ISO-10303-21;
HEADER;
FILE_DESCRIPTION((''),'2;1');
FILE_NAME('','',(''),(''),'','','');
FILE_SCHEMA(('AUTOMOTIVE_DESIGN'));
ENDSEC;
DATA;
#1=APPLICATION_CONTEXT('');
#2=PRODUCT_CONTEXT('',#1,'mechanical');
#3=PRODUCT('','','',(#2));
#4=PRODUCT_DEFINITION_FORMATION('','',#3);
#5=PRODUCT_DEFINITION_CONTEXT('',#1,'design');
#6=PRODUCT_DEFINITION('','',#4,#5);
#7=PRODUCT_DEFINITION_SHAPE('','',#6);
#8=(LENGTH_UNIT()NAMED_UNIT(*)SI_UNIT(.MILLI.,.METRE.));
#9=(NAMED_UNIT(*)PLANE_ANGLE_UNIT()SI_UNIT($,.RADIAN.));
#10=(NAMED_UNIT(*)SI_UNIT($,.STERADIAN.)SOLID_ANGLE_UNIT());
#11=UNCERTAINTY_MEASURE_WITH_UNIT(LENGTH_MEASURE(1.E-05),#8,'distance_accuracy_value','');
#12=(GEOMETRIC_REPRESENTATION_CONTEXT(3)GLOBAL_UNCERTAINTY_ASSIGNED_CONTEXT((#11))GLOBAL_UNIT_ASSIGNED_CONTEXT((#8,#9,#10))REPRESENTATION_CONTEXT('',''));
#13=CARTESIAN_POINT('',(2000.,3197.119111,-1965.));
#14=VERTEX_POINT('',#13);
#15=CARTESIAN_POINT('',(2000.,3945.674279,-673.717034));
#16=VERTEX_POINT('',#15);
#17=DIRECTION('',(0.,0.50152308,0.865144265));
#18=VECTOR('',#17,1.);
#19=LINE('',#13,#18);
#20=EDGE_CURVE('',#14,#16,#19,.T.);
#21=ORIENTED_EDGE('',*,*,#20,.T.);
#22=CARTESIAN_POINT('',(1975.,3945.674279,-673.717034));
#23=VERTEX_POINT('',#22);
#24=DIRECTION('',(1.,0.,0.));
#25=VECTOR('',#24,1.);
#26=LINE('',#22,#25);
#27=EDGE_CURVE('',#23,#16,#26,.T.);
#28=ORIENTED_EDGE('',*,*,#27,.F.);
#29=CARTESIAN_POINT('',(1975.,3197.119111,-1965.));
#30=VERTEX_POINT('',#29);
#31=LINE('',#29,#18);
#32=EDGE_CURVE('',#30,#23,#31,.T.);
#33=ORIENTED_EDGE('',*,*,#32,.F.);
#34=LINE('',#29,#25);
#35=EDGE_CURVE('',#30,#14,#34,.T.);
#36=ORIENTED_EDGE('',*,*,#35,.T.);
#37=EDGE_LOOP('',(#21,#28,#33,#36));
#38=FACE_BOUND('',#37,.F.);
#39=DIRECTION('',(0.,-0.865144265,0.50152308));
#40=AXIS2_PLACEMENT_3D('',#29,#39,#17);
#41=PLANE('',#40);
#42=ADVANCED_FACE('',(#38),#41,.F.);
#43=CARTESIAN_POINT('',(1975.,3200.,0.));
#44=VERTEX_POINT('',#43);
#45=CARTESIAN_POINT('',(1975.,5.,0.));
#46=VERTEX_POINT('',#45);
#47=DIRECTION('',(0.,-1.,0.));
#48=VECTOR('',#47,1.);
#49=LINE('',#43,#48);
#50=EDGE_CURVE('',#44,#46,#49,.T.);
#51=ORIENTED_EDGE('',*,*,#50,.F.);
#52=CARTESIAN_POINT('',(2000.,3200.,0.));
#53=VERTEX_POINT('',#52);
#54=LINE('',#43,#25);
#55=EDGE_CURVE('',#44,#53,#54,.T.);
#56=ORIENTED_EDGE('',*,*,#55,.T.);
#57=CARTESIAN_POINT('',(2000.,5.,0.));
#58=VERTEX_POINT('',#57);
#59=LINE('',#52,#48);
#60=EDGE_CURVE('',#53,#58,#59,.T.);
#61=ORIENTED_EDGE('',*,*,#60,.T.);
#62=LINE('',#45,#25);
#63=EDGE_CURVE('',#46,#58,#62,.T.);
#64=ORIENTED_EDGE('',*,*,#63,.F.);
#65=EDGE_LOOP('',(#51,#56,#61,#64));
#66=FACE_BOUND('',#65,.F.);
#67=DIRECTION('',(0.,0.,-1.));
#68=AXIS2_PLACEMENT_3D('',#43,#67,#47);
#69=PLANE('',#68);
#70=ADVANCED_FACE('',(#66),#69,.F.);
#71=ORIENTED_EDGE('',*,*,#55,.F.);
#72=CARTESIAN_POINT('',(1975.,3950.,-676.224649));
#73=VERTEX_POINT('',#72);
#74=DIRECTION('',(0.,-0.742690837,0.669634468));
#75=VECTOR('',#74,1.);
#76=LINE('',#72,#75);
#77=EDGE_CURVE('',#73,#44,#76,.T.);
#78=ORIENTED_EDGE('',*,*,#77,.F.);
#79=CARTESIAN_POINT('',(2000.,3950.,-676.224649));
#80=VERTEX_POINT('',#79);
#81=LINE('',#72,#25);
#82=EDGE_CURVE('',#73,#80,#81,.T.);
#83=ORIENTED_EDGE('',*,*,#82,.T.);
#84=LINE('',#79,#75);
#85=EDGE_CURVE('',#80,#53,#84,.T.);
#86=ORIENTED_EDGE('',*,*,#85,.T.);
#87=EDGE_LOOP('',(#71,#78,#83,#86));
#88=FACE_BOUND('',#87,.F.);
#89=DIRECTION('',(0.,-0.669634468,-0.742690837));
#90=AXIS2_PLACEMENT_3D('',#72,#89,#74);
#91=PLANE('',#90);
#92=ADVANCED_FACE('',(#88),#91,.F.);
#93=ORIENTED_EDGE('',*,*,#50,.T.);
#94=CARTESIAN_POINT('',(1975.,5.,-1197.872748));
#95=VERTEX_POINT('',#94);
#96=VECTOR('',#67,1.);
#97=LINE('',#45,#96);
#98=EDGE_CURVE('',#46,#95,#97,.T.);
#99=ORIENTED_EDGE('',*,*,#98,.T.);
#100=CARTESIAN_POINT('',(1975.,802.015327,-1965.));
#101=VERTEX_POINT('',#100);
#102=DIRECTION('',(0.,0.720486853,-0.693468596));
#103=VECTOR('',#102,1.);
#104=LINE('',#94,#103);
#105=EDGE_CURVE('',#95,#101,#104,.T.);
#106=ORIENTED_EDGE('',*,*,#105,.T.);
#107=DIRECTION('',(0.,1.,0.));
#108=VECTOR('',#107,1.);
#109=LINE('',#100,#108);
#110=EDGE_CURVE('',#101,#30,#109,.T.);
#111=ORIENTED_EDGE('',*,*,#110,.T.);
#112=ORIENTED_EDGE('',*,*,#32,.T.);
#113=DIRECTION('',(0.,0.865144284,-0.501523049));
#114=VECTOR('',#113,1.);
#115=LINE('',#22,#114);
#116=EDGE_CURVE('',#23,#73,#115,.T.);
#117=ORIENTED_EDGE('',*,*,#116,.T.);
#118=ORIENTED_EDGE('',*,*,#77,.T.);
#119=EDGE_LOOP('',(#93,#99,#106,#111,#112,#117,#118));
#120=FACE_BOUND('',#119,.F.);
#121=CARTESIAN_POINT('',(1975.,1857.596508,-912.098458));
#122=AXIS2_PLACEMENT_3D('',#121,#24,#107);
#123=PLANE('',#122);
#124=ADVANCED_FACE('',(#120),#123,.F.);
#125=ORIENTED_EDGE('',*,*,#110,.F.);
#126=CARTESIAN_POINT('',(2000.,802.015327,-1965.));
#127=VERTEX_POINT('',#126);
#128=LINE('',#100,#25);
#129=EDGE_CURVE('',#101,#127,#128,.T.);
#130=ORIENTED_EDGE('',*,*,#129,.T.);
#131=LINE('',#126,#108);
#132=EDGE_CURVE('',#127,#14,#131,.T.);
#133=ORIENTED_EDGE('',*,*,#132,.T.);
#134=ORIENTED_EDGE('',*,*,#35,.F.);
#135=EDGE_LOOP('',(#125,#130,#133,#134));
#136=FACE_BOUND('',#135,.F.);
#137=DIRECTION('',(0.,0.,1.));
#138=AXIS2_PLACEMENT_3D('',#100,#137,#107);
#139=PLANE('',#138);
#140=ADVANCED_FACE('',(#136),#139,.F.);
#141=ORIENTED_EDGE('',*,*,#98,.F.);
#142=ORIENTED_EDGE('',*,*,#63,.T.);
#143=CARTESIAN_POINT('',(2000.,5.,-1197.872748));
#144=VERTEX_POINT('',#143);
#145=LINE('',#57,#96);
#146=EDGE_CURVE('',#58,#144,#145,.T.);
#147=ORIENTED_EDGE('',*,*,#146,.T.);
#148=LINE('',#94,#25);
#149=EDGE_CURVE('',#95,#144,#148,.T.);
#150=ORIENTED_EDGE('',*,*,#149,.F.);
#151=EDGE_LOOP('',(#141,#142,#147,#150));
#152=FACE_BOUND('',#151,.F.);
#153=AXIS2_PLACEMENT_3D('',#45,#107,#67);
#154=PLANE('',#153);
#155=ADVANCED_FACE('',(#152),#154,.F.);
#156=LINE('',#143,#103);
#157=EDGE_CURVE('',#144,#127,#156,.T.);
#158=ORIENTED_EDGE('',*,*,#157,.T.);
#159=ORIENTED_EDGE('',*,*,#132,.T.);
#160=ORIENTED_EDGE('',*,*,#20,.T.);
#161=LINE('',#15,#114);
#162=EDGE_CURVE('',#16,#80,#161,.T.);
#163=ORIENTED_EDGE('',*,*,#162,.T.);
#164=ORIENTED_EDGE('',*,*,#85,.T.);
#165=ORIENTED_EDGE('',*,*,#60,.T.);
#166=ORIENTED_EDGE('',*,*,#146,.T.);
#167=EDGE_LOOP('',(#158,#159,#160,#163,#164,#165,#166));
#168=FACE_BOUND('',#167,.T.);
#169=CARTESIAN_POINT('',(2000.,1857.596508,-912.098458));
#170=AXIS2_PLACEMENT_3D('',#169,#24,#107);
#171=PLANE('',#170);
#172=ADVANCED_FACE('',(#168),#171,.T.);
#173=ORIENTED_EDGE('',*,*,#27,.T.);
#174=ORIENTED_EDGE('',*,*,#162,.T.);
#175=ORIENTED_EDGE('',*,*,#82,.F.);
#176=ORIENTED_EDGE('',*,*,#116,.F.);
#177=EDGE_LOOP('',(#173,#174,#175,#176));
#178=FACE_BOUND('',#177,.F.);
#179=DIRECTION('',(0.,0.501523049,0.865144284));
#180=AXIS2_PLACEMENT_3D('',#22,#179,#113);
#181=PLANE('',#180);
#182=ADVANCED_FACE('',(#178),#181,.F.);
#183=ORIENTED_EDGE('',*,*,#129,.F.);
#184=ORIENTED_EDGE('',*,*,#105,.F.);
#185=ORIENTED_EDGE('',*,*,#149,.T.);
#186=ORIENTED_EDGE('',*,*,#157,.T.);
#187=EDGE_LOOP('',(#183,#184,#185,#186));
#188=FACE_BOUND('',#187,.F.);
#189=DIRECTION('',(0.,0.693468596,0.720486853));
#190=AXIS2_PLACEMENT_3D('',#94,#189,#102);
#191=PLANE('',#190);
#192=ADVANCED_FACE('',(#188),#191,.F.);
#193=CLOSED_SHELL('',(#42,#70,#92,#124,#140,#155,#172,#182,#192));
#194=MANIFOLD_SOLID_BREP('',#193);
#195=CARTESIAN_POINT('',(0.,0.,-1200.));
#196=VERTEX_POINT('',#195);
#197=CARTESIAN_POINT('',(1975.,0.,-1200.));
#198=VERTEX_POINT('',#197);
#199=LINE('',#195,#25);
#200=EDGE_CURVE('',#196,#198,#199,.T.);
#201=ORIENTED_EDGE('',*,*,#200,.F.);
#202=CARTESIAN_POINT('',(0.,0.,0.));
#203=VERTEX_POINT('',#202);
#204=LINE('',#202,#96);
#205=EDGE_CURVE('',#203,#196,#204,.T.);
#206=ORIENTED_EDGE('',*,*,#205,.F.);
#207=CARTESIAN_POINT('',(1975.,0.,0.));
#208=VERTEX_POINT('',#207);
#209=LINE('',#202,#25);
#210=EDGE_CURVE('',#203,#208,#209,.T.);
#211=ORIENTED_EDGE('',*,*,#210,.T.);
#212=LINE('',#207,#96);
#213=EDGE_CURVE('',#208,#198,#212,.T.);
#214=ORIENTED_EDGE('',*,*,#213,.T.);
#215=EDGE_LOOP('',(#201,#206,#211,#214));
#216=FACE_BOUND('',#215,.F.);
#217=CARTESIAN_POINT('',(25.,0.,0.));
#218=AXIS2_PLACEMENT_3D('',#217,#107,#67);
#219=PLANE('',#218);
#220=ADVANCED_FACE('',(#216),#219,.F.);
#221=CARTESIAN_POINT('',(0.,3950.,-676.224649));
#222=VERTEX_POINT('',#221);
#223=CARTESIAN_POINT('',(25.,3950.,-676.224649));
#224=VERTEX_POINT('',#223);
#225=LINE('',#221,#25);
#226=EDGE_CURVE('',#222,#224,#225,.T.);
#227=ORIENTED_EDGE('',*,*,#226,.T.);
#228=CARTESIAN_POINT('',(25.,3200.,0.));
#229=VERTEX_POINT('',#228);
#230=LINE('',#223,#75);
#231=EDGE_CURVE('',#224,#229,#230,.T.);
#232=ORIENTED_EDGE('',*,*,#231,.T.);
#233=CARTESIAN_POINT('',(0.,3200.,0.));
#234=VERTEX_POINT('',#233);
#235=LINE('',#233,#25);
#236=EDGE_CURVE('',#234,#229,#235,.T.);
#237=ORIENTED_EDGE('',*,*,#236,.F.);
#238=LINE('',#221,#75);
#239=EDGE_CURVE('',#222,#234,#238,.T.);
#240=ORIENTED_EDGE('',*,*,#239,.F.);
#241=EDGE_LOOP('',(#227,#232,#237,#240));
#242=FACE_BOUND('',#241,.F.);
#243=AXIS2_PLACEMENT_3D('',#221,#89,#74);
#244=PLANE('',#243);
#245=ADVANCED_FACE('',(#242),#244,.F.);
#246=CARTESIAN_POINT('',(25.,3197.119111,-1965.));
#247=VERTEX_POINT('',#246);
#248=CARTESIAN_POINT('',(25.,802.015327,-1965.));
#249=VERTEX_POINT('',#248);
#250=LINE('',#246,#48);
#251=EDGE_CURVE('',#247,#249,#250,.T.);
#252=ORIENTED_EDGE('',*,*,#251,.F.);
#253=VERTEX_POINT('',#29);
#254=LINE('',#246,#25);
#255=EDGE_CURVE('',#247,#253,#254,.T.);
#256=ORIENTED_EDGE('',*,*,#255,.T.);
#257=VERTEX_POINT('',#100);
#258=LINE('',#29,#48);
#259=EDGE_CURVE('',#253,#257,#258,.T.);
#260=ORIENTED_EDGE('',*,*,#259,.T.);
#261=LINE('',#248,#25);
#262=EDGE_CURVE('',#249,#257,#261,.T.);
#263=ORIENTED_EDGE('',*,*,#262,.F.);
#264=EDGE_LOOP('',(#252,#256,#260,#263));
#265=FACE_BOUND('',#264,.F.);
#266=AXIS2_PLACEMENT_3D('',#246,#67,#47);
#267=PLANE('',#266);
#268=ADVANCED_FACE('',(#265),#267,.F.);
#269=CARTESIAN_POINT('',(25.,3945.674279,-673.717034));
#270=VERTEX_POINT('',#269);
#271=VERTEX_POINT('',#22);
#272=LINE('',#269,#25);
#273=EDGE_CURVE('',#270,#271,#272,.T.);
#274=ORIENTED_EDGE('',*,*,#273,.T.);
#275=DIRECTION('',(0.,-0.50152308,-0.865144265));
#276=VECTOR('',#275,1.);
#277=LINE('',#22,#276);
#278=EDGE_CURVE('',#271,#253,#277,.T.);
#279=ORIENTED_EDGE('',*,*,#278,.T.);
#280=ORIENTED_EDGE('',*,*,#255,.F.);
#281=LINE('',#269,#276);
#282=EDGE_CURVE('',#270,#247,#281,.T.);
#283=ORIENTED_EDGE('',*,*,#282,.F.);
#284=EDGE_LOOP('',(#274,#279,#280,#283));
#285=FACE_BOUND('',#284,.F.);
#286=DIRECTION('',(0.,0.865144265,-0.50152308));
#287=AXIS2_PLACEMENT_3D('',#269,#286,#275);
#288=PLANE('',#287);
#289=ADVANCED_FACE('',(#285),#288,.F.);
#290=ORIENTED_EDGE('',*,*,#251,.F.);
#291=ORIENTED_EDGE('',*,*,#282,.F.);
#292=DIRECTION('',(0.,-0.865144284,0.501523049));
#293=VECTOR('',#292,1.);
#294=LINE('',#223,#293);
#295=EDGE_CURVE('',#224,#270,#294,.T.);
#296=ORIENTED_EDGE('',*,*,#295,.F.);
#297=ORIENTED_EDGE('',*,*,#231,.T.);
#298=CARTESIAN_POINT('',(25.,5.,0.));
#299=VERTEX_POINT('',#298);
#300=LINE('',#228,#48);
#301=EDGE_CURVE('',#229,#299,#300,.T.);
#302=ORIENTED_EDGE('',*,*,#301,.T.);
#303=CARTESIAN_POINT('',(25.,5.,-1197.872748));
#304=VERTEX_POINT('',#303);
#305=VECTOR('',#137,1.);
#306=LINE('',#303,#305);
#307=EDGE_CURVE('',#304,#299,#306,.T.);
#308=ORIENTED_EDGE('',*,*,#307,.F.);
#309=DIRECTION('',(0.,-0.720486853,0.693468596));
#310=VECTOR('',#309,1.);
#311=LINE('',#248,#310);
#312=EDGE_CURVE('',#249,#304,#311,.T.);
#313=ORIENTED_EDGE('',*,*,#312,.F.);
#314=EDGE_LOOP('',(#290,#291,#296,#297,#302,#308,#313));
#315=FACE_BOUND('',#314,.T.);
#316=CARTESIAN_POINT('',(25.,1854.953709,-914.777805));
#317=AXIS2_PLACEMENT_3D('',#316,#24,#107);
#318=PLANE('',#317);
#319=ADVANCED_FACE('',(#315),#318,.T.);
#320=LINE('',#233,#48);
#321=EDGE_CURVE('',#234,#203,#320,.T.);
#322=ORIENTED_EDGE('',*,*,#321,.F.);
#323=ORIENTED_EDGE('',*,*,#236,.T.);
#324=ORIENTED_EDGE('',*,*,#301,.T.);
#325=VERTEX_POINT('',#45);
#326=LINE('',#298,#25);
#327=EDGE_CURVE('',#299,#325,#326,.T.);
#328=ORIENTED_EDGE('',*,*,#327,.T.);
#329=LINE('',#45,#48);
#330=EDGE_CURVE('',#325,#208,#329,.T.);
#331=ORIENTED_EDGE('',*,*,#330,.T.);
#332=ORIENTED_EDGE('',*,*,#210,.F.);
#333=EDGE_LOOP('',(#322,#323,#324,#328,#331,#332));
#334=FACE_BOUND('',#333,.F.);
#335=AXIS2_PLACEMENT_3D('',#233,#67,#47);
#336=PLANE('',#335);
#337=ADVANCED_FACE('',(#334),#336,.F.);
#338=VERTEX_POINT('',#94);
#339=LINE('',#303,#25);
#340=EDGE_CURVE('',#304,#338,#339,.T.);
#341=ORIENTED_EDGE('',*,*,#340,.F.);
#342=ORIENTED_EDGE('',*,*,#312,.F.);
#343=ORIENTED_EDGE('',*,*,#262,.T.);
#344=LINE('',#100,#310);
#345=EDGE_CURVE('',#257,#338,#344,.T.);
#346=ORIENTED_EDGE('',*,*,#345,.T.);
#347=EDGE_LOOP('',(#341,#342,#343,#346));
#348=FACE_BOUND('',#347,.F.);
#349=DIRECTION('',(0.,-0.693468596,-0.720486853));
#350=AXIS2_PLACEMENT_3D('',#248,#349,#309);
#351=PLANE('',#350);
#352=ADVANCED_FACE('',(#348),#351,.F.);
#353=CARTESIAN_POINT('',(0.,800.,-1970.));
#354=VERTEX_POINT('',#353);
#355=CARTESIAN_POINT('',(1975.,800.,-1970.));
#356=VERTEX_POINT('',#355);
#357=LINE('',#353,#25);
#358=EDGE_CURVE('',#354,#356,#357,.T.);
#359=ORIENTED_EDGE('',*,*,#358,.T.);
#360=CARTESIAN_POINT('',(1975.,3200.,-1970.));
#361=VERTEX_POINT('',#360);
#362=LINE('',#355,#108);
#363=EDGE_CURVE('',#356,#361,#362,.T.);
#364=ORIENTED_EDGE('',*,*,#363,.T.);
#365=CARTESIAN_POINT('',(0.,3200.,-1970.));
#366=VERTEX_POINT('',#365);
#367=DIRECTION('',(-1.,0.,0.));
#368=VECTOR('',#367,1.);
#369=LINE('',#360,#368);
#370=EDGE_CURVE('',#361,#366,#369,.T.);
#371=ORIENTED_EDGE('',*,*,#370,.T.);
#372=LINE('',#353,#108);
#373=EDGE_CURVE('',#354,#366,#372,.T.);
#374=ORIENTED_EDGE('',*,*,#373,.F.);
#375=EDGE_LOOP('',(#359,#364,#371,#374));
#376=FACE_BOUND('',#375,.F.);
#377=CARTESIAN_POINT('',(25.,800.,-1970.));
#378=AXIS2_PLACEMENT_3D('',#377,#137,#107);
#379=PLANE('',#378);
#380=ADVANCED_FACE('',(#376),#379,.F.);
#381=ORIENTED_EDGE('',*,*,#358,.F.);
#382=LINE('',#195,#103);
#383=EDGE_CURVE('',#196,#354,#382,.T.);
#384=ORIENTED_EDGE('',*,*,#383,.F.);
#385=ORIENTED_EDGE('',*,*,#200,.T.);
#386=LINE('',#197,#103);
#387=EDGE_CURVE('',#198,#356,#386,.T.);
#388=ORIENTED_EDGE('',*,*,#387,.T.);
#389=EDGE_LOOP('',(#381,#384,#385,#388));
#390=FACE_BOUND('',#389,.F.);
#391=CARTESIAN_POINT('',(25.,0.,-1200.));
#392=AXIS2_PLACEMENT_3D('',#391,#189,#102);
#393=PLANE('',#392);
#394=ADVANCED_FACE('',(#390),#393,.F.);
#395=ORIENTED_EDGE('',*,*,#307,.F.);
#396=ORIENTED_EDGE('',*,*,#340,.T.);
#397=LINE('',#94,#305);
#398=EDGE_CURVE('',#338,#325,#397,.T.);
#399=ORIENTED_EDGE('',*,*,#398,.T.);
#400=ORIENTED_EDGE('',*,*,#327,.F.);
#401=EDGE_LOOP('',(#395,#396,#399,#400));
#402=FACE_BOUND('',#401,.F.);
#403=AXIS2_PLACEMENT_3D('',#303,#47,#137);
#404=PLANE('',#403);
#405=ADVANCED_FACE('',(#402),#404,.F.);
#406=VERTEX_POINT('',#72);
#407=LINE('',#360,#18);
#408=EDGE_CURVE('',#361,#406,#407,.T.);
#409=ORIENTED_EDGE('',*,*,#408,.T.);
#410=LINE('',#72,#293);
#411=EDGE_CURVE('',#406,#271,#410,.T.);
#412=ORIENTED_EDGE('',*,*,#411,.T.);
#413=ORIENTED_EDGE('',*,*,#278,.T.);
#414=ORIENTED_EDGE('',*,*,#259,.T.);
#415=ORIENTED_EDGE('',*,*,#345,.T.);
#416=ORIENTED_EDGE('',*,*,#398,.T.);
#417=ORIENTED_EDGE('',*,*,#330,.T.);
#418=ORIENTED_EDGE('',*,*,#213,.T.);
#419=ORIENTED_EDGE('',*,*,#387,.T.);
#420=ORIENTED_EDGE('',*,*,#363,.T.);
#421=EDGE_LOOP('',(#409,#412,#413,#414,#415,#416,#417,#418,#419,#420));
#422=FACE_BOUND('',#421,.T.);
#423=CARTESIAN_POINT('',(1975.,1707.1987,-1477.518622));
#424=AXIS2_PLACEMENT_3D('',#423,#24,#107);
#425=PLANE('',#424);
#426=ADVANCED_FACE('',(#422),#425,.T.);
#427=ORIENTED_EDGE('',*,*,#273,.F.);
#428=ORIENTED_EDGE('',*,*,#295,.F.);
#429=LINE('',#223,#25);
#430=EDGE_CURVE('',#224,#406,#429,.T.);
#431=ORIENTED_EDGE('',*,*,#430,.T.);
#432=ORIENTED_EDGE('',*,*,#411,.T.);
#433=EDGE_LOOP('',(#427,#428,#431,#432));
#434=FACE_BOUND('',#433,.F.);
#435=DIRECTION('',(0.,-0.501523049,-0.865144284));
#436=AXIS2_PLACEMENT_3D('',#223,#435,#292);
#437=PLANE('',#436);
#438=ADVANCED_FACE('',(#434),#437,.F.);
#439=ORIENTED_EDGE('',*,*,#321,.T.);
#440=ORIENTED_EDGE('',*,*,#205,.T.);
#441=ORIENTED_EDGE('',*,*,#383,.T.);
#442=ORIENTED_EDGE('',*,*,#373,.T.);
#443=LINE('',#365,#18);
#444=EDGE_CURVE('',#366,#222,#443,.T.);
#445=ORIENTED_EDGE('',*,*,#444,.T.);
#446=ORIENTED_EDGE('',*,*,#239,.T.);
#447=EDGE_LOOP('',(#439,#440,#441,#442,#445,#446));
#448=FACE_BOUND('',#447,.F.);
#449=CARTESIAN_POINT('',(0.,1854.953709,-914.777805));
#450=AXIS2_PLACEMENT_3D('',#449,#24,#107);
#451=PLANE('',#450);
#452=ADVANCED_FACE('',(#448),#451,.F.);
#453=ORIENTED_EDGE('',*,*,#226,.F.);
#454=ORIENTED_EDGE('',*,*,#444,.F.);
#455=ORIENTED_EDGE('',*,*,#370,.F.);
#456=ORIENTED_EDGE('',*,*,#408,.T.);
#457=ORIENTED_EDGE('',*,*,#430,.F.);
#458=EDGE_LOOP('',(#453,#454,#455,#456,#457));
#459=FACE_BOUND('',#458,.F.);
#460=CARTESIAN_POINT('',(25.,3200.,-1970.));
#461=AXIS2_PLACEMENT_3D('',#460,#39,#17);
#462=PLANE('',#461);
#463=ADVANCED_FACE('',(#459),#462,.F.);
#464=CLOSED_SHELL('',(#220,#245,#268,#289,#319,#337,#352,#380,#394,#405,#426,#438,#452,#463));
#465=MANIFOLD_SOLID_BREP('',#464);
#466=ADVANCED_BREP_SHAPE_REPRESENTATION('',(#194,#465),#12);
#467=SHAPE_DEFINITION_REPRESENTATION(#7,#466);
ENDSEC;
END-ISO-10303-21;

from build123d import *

# Parameters (mm, degrees)
F1_DEPTH = 25
F3_DEPTH = 1950
F5_DEPTH = 25


with BuildPart() as f1:
    # F0 (on Right) → F1 (new body)
    with BuildSketch(Plane.YZ):
        Polygon((3200, 0), (0, 0), (0, -1200), (800, -1970), (3200, -1970), (3950, -676.224649), align=None)
    extrude(amount=F1_DEPTH)

    # F2 (on face) → F3 (join)
    with BuildSketch(Plane.YZ.offset(25)):
        Polygon((3945.674279, -673.717034), (3197.119111, -1965), (802.015327, -1965), (5, -1197.872748), (5, 0), (0, 0), (0, -1200), (800, -1970), (3200, -1970), (3950, -676.224649), align=None)
    extrude(amount=F3_DEPTH)


with BuildPart() as f5:
    # F4 (on face) → F5 (new body)
    with BuildSketch(Plane.YZ.offset(1975)):
        Polygon((3950, -676.224649), (3200, 0), (5, 0), (5, -1197.872748), (802.015327, -1965), (3197.119111, -1965), (3945.674279, -673.717034), align=None)
    extrude(amount=F5_DEPTH)


solid = Compound([f1.part, f5.part])
